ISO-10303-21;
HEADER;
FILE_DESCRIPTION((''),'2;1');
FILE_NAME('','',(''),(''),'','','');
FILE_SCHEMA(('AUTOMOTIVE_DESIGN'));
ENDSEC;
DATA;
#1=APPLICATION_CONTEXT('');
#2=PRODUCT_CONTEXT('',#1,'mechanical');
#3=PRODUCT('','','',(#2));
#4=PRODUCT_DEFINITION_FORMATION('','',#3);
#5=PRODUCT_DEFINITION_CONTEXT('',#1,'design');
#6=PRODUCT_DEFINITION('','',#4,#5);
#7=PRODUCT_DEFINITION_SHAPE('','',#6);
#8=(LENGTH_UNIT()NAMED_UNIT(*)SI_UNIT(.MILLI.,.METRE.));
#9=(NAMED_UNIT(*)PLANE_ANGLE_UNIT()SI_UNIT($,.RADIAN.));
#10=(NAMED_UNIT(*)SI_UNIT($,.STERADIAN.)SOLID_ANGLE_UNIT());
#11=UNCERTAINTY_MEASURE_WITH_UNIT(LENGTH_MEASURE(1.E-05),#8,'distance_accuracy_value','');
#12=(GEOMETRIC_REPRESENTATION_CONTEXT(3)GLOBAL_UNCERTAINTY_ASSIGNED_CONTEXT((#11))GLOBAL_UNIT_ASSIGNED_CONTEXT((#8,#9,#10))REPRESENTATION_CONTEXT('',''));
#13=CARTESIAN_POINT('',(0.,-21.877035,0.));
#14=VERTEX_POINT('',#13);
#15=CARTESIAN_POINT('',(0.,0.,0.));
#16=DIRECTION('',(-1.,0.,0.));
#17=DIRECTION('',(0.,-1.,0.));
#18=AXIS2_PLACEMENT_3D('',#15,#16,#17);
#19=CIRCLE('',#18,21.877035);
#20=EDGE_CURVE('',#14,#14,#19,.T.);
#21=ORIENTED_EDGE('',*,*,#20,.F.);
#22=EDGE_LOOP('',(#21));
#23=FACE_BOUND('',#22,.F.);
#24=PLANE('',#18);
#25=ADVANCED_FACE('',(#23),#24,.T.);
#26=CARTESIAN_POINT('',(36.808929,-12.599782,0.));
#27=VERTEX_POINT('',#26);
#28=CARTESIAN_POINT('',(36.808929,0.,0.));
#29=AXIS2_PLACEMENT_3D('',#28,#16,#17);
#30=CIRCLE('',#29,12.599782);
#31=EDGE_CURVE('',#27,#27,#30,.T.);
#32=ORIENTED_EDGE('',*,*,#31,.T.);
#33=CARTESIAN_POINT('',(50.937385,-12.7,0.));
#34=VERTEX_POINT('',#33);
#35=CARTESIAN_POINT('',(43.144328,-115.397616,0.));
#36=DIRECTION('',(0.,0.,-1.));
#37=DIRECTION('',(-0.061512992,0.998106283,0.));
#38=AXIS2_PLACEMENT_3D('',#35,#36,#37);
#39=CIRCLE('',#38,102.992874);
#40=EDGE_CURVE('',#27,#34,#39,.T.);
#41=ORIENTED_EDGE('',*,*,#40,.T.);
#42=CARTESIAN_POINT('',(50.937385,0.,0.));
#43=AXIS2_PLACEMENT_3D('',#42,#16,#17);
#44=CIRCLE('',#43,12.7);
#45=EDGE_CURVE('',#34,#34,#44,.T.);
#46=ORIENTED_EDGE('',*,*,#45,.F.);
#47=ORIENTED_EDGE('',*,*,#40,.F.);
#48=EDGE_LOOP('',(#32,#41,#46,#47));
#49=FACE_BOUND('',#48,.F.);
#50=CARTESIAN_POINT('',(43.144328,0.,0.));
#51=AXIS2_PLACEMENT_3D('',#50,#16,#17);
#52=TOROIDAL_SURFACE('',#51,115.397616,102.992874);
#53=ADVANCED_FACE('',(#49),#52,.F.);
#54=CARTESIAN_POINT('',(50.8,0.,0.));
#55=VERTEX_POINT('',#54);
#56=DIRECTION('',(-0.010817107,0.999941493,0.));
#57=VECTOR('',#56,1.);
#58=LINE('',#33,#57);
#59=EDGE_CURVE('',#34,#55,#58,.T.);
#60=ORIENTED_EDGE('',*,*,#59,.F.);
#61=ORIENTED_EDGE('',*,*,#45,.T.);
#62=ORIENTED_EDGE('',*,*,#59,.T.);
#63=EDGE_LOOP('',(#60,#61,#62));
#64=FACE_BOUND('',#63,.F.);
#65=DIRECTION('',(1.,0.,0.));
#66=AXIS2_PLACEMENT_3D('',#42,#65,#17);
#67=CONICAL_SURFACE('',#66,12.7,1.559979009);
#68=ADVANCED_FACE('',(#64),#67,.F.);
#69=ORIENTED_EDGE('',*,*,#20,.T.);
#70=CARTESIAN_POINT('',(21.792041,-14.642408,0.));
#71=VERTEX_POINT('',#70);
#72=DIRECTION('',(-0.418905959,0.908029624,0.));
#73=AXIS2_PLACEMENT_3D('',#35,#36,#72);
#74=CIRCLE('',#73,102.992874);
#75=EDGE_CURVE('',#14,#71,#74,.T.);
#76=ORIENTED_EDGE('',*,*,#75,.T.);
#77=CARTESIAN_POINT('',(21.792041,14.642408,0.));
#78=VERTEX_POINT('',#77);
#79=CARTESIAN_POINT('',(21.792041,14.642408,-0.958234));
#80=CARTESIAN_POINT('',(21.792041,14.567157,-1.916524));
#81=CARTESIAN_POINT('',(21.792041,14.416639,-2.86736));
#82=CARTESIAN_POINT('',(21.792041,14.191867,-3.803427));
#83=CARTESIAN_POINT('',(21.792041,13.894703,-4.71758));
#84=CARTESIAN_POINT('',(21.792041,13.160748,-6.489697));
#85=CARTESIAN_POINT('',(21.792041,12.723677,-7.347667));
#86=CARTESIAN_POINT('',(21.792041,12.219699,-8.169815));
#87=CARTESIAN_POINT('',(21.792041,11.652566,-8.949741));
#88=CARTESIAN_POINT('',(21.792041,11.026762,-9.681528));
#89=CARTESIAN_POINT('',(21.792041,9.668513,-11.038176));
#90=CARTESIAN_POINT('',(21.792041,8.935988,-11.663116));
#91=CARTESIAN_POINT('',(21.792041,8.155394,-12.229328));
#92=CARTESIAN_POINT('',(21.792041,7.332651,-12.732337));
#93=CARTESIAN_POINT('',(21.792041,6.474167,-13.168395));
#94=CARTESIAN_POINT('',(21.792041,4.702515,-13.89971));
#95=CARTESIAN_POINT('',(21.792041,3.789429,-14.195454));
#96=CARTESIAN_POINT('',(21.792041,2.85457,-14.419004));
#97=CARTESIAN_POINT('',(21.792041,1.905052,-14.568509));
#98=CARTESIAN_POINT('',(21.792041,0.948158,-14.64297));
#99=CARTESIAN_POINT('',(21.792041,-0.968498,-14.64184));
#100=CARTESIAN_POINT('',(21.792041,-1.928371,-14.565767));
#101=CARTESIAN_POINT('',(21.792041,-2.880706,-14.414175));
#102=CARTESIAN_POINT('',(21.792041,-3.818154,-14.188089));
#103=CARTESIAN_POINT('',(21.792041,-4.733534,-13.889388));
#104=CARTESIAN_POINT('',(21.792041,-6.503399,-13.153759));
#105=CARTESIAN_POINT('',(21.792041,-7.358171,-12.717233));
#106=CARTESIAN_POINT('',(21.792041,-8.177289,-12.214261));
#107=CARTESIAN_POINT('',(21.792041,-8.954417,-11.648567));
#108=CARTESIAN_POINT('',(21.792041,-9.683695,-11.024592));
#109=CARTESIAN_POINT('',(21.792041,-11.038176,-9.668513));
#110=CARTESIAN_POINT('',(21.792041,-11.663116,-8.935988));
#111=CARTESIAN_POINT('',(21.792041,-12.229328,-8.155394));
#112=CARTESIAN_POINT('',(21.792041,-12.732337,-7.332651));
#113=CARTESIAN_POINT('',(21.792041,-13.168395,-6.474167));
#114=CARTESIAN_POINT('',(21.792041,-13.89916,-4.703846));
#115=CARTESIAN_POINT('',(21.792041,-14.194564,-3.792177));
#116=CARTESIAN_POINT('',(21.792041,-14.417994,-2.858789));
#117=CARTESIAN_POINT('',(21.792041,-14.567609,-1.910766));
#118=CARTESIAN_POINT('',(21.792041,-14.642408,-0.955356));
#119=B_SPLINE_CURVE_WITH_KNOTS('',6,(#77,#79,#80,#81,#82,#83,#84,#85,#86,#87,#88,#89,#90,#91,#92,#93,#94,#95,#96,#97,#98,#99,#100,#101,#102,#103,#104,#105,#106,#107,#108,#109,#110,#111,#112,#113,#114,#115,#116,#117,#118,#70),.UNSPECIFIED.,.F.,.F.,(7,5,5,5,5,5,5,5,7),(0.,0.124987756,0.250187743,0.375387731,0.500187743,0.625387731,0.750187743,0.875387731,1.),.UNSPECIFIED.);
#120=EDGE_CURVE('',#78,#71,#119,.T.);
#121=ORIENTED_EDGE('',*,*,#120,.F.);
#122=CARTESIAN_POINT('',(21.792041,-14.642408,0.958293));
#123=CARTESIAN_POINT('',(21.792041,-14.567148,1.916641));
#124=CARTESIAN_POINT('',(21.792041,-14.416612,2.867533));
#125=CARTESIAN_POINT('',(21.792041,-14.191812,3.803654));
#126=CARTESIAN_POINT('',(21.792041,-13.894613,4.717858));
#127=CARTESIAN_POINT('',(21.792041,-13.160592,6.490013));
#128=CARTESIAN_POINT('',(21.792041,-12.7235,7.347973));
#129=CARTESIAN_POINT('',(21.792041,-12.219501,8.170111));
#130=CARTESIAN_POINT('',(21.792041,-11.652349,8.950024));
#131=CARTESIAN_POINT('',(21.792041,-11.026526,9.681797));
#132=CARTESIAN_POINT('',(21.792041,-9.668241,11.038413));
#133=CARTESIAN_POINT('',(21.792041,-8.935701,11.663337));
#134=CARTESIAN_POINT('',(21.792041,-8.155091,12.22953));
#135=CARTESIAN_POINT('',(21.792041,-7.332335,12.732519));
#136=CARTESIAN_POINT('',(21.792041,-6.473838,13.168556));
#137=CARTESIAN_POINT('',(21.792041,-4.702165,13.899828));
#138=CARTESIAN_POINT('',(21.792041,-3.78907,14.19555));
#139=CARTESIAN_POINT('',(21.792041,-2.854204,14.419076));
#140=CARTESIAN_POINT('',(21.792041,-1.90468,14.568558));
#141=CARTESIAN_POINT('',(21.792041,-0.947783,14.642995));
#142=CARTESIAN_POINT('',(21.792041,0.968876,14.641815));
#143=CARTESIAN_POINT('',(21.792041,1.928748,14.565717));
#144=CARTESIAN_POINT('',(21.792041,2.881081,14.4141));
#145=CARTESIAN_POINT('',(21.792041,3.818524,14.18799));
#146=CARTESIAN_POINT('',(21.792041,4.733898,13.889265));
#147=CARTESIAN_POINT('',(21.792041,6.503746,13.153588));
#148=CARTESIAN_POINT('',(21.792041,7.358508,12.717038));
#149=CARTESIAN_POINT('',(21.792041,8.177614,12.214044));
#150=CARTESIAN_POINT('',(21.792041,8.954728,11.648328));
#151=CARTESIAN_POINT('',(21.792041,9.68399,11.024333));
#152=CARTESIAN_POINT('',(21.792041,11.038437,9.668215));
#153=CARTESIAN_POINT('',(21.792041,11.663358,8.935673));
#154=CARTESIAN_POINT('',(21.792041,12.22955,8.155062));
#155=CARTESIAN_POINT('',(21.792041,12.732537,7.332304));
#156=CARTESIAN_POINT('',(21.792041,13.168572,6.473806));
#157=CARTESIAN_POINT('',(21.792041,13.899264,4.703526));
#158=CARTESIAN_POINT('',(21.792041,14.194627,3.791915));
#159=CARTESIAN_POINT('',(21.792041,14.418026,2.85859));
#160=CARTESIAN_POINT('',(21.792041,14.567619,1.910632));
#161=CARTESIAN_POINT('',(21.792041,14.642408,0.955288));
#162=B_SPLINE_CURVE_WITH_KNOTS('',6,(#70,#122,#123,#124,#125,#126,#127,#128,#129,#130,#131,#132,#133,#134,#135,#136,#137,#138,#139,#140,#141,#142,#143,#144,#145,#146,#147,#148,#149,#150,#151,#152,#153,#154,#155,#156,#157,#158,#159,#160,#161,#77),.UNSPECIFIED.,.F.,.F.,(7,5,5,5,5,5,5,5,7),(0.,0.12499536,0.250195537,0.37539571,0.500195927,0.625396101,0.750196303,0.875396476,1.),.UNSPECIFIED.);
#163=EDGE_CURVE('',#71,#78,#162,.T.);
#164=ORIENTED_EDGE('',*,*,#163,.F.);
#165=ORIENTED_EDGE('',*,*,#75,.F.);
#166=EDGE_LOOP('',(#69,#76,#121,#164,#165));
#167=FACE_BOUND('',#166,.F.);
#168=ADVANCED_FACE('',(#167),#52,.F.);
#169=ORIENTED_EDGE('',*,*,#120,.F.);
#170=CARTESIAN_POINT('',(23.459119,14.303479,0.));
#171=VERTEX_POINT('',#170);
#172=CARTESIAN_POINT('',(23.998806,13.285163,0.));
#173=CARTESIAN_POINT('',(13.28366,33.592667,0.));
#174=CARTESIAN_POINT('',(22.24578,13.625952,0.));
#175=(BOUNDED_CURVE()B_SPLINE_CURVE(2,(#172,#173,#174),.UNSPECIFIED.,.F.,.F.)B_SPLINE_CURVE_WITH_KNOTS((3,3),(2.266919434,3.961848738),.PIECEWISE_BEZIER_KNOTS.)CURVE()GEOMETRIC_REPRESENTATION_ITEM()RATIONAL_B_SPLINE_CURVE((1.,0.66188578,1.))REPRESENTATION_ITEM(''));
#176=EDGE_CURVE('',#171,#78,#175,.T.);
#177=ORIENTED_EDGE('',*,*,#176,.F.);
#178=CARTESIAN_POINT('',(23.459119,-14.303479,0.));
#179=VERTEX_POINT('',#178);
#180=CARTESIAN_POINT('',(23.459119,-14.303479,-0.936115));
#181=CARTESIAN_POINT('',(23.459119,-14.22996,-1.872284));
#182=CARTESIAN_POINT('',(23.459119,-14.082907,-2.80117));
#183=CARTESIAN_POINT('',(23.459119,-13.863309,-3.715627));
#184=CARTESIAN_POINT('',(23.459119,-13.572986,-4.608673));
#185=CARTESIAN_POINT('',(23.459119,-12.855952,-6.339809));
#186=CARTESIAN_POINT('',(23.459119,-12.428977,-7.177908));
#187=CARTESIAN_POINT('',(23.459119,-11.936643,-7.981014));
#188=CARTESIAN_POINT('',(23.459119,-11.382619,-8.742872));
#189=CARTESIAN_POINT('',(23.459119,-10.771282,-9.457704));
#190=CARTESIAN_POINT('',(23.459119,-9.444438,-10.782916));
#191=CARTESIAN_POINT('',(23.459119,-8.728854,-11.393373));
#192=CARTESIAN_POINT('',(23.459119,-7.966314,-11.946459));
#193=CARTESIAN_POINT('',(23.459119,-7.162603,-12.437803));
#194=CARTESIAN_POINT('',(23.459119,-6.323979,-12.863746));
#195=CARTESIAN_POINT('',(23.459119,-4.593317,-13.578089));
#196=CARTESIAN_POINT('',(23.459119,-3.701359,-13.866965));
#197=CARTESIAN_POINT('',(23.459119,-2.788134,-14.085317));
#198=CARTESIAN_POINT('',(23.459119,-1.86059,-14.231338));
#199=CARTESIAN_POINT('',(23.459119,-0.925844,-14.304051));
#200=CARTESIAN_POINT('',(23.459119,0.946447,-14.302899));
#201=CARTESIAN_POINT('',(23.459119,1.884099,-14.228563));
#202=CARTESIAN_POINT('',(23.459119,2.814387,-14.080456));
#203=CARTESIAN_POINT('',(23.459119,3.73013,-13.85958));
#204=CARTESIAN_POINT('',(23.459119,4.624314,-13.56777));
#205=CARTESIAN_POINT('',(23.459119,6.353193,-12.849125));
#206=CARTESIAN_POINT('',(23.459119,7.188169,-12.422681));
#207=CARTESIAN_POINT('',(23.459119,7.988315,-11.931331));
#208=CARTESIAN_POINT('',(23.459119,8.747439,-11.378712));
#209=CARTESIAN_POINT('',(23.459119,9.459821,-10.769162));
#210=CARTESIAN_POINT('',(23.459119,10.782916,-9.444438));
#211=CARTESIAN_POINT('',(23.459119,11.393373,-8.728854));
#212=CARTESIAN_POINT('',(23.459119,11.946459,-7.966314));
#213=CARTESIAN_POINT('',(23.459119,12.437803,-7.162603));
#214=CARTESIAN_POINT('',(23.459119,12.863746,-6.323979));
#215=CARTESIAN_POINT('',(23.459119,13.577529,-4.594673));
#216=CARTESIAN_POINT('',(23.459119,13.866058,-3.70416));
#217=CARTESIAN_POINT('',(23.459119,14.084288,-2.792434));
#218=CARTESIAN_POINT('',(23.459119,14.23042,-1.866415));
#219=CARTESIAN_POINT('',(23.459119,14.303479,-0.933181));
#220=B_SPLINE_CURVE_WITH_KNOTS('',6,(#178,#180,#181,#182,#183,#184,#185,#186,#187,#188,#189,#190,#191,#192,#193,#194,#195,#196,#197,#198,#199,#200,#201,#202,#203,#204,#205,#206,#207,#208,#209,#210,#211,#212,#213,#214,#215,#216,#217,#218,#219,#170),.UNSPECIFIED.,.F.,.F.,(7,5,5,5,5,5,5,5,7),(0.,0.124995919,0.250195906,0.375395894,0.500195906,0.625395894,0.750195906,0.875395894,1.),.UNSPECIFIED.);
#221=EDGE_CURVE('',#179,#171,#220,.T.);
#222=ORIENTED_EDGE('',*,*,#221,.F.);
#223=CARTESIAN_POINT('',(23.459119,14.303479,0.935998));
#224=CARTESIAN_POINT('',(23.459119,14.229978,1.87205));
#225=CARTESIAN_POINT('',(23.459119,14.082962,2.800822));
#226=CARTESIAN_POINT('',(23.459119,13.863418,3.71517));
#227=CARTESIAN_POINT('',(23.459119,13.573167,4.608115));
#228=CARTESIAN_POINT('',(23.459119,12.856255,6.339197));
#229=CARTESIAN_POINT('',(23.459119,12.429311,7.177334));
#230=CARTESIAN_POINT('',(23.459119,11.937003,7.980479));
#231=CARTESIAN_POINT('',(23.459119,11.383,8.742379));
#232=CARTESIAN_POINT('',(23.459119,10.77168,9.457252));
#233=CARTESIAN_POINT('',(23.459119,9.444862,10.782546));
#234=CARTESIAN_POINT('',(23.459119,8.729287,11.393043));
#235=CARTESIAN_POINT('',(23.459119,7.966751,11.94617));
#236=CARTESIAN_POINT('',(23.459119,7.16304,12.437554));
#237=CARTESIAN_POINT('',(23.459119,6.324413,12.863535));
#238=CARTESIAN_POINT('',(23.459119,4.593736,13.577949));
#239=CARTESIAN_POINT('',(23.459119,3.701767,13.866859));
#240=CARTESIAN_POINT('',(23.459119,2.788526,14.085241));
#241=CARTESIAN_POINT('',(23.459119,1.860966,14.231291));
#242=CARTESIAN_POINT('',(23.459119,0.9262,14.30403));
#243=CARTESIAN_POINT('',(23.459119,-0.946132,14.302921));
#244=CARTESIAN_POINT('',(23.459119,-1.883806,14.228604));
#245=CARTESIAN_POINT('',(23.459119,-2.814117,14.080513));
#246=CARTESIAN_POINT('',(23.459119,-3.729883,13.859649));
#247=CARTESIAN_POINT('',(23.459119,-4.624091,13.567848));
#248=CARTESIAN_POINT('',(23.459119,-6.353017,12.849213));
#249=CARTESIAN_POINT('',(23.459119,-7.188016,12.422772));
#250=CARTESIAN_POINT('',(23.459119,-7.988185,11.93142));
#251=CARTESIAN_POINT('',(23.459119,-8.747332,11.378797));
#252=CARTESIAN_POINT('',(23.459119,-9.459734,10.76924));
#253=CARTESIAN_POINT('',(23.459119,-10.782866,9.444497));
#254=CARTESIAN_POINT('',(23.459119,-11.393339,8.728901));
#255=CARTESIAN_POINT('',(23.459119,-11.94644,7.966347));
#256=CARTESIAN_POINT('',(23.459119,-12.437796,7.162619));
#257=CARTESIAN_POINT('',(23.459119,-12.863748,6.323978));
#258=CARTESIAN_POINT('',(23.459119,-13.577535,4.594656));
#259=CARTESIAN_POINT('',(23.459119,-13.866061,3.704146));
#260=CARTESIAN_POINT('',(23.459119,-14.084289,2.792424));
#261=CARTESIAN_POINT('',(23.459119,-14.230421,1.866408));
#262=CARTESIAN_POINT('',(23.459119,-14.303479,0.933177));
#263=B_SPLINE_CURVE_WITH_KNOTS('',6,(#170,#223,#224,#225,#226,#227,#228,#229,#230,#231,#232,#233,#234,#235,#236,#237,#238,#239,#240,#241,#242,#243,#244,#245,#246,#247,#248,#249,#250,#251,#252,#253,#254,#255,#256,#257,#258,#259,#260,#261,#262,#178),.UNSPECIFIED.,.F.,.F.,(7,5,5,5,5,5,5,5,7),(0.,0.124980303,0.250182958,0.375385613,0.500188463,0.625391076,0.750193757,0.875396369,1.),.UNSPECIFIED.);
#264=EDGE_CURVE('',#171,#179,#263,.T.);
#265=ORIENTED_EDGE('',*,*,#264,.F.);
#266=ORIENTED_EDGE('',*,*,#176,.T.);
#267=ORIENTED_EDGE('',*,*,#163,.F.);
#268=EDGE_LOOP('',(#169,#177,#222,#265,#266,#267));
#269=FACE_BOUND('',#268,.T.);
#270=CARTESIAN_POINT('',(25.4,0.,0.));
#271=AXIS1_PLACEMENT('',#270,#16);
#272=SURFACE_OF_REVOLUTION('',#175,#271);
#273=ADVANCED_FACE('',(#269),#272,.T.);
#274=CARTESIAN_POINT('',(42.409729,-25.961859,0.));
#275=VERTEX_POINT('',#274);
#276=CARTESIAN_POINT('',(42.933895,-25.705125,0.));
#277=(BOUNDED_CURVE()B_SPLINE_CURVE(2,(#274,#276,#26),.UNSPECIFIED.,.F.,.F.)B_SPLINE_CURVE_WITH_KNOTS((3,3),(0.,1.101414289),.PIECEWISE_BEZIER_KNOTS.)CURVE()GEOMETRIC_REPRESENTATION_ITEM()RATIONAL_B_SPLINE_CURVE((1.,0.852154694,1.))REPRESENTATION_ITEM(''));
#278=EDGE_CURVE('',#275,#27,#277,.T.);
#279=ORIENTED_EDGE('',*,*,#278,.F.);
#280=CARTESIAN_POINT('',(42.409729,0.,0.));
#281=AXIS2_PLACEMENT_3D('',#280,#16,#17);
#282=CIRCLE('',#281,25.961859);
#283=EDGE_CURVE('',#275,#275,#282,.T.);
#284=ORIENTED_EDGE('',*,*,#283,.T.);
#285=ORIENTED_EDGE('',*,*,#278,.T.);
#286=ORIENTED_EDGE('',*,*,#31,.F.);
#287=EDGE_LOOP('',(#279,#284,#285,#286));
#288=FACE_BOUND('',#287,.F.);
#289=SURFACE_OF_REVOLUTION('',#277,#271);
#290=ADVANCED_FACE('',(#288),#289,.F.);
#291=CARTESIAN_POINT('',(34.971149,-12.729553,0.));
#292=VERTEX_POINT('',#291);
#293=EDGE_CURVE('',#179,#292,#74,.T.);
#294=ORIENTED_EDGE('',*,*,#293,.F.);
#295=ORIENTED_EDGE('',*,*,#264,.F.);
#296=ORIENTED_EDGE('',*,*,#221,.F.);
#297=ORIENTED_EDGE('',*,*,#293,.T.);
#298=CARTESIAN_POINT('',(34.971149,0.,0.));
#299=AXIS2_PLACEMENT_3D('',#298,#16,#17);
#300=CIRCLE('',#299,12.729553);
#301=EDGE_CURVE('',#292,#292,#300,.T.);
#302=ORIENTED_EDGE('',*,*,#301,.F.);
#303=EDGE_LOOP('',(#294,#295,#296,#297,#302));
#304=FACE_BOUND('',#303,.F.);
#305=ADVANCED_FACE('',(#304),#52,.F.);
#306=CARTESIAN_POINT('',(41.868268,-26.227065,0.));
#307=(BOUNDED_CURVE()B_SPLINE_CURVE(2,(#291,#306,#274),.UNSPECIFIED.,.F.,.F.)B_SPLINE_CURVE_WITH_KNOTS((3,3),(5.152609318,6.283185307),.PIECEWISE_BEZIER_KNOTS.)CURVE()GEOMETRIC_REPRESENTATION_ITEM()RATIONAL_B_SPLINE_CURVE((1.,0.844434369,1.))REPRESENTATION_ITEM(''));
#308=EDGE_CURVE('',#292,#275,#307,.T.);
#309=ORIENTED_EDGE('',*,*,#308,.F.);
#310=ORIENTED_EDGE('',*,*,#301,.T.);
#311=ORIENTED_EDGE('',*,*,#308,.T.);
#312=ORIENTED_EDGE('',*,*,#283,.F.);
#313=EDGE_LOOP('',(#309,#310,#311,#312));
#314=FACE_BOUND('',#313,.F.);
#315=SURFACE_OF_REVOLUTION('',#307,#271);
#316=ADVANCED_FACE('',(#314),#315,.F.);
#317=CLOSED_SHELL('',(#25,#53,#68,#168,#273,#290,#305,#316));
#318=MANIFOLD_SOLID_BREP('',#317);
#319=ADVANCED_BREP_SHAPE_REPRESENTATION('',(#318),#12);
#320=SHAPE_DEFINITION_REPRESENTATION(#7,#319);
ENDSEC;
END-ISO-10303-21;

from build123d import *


with BuildPart() as f1:
    # F0 (on Top) → F1 (revolve)
    with BuildSketch(Plane.XY):
        with BuildLine():
            ThreePointArc((36.808928605, -12.5997815098), (43.8748775021, -12.4073331318), (50.9373852931, -12.7))
            Line((50.9373852931, -12.7), (50.8, 0))
            Line((50.8, 0), (30.7489222871, 0))
            add(Edge.make_bspline(
                [(36.808928605, -12.5997815098), (34.0134691077, -6.6184496361), (30.7489222871, 0)],
                knots=[1.1014142885, 1.1014142885, 1.1014142885, 1.6479286217, 1.6479286217, 1.6479286217], degree=2, weights=[1, 0.9628969968, 1]))
        make_face()
        with BuildLine():
            ThreePointArc((34.9711490687, -12.7295527778), (35.8897486595, -12.660557744), (36.808928605, -12.5997815098))
            add(Edge.make_bspline(
                [(36.808928605, -12.5997815098), (34.0134691077, -6.6184496361), (30.7489222871, 0)],
                knots=[1.1014142885, 1.1014142885, 1.1014142885, 1.6479286217, 1.6479286217, 1.6479286217], degree=2, weights=[1, 0.9628969968, 1]))
            Line((30.7489222871, 0), (28.6420354161, 0))
            add(Edge.make_bspline(
                [(28.6420354161, 0), (31.8880872425, -6.696067946), (34.9711490687, -12.7295527778)],
                knots=[4.6000052427, 4.6000052427, 4.6000052427, 5.1526093181, 5.1526093181, 5.1526093181], degree=2, weights=[1, 0.9620708176, 1]))
        make_face()
        with BuildLine():
            ThreePointArc((0, -21.8770354591), (17.0811213881, -15.7570554686), (34.9711490687, -12.7295527778))
            add(Edge.make_bspline(
                [(28.6420354161, 0), (31.8880872425, -6.696067946), (34.9711490687, -12.7295527778)],
                knots=[4.6000052427, 4.6000052427, 4.6000052427, 5.1526093181, 5.1526093181, 5.1526093181], degree=2, weights=[1, 0.9620708176, 1]))
            Line((28.6420354161, 0), (0, 0))
            Line((0, 0), (0, -21.8770354591))
        make_face()
    revolve(axis=Axis((25.4, 0, 0), (-1, 0, 0)))

    # F0 (on Top) → F2 (revolve)
    with BuildSketch(Plane.XY):
        with BuildLine():
            add(Edge.make_bspline(
                [(42.4097292125, -25.9618591517), (42.9338949651, -25.7051248527), (36.808928605, -12.5997815098)],
                knots=[0, 0, 0, 1.1014142885, 1.1014142885, 1.1014142885], degree=2, weights=[1, 0.8521546937, 1]))
            ThreePointArc((36.808928605, -12.5997815098), (35.8897486595, -12.660557744), (34.9711490687, -12.7295527778))
            add(Edge.make_bspline(
                [(34.9711490687, -12.7295527778), (41.8682681718, -26.2270646141), (42.4097292125, -25.9618591517)],
                knots=[5.1526093181, 5.1526093181, 5.1526093181, 6.2831853072, 6.2831853072, 6.2831853072], degree=2, weights=[1, 0.8444343686, 1]))
        make_face()
        with BuildLine():
            ThreePointArc((22.2457801628, 13.6259519286), (23.1213873187, 13.4508983752), (23.9988058992, 13.2851628247))
            add(Edge.make_bspline(
                [(23.9988058992, 13.2851628247), (13.2836604192, 33.5926671435), (22.2457801628, 13.6259519286)],
                knots=[2.2669194336, 2.2669194336, 2.2669194336, 3.961848738, 3.961848738, 3.961848738], degree=2, weights=[1, 0.6618857798, 1]))
        make_face()
    revolve(axis=Axis((25.4, 0, 0), (-1, 0, 0)))


solid = f1.part
